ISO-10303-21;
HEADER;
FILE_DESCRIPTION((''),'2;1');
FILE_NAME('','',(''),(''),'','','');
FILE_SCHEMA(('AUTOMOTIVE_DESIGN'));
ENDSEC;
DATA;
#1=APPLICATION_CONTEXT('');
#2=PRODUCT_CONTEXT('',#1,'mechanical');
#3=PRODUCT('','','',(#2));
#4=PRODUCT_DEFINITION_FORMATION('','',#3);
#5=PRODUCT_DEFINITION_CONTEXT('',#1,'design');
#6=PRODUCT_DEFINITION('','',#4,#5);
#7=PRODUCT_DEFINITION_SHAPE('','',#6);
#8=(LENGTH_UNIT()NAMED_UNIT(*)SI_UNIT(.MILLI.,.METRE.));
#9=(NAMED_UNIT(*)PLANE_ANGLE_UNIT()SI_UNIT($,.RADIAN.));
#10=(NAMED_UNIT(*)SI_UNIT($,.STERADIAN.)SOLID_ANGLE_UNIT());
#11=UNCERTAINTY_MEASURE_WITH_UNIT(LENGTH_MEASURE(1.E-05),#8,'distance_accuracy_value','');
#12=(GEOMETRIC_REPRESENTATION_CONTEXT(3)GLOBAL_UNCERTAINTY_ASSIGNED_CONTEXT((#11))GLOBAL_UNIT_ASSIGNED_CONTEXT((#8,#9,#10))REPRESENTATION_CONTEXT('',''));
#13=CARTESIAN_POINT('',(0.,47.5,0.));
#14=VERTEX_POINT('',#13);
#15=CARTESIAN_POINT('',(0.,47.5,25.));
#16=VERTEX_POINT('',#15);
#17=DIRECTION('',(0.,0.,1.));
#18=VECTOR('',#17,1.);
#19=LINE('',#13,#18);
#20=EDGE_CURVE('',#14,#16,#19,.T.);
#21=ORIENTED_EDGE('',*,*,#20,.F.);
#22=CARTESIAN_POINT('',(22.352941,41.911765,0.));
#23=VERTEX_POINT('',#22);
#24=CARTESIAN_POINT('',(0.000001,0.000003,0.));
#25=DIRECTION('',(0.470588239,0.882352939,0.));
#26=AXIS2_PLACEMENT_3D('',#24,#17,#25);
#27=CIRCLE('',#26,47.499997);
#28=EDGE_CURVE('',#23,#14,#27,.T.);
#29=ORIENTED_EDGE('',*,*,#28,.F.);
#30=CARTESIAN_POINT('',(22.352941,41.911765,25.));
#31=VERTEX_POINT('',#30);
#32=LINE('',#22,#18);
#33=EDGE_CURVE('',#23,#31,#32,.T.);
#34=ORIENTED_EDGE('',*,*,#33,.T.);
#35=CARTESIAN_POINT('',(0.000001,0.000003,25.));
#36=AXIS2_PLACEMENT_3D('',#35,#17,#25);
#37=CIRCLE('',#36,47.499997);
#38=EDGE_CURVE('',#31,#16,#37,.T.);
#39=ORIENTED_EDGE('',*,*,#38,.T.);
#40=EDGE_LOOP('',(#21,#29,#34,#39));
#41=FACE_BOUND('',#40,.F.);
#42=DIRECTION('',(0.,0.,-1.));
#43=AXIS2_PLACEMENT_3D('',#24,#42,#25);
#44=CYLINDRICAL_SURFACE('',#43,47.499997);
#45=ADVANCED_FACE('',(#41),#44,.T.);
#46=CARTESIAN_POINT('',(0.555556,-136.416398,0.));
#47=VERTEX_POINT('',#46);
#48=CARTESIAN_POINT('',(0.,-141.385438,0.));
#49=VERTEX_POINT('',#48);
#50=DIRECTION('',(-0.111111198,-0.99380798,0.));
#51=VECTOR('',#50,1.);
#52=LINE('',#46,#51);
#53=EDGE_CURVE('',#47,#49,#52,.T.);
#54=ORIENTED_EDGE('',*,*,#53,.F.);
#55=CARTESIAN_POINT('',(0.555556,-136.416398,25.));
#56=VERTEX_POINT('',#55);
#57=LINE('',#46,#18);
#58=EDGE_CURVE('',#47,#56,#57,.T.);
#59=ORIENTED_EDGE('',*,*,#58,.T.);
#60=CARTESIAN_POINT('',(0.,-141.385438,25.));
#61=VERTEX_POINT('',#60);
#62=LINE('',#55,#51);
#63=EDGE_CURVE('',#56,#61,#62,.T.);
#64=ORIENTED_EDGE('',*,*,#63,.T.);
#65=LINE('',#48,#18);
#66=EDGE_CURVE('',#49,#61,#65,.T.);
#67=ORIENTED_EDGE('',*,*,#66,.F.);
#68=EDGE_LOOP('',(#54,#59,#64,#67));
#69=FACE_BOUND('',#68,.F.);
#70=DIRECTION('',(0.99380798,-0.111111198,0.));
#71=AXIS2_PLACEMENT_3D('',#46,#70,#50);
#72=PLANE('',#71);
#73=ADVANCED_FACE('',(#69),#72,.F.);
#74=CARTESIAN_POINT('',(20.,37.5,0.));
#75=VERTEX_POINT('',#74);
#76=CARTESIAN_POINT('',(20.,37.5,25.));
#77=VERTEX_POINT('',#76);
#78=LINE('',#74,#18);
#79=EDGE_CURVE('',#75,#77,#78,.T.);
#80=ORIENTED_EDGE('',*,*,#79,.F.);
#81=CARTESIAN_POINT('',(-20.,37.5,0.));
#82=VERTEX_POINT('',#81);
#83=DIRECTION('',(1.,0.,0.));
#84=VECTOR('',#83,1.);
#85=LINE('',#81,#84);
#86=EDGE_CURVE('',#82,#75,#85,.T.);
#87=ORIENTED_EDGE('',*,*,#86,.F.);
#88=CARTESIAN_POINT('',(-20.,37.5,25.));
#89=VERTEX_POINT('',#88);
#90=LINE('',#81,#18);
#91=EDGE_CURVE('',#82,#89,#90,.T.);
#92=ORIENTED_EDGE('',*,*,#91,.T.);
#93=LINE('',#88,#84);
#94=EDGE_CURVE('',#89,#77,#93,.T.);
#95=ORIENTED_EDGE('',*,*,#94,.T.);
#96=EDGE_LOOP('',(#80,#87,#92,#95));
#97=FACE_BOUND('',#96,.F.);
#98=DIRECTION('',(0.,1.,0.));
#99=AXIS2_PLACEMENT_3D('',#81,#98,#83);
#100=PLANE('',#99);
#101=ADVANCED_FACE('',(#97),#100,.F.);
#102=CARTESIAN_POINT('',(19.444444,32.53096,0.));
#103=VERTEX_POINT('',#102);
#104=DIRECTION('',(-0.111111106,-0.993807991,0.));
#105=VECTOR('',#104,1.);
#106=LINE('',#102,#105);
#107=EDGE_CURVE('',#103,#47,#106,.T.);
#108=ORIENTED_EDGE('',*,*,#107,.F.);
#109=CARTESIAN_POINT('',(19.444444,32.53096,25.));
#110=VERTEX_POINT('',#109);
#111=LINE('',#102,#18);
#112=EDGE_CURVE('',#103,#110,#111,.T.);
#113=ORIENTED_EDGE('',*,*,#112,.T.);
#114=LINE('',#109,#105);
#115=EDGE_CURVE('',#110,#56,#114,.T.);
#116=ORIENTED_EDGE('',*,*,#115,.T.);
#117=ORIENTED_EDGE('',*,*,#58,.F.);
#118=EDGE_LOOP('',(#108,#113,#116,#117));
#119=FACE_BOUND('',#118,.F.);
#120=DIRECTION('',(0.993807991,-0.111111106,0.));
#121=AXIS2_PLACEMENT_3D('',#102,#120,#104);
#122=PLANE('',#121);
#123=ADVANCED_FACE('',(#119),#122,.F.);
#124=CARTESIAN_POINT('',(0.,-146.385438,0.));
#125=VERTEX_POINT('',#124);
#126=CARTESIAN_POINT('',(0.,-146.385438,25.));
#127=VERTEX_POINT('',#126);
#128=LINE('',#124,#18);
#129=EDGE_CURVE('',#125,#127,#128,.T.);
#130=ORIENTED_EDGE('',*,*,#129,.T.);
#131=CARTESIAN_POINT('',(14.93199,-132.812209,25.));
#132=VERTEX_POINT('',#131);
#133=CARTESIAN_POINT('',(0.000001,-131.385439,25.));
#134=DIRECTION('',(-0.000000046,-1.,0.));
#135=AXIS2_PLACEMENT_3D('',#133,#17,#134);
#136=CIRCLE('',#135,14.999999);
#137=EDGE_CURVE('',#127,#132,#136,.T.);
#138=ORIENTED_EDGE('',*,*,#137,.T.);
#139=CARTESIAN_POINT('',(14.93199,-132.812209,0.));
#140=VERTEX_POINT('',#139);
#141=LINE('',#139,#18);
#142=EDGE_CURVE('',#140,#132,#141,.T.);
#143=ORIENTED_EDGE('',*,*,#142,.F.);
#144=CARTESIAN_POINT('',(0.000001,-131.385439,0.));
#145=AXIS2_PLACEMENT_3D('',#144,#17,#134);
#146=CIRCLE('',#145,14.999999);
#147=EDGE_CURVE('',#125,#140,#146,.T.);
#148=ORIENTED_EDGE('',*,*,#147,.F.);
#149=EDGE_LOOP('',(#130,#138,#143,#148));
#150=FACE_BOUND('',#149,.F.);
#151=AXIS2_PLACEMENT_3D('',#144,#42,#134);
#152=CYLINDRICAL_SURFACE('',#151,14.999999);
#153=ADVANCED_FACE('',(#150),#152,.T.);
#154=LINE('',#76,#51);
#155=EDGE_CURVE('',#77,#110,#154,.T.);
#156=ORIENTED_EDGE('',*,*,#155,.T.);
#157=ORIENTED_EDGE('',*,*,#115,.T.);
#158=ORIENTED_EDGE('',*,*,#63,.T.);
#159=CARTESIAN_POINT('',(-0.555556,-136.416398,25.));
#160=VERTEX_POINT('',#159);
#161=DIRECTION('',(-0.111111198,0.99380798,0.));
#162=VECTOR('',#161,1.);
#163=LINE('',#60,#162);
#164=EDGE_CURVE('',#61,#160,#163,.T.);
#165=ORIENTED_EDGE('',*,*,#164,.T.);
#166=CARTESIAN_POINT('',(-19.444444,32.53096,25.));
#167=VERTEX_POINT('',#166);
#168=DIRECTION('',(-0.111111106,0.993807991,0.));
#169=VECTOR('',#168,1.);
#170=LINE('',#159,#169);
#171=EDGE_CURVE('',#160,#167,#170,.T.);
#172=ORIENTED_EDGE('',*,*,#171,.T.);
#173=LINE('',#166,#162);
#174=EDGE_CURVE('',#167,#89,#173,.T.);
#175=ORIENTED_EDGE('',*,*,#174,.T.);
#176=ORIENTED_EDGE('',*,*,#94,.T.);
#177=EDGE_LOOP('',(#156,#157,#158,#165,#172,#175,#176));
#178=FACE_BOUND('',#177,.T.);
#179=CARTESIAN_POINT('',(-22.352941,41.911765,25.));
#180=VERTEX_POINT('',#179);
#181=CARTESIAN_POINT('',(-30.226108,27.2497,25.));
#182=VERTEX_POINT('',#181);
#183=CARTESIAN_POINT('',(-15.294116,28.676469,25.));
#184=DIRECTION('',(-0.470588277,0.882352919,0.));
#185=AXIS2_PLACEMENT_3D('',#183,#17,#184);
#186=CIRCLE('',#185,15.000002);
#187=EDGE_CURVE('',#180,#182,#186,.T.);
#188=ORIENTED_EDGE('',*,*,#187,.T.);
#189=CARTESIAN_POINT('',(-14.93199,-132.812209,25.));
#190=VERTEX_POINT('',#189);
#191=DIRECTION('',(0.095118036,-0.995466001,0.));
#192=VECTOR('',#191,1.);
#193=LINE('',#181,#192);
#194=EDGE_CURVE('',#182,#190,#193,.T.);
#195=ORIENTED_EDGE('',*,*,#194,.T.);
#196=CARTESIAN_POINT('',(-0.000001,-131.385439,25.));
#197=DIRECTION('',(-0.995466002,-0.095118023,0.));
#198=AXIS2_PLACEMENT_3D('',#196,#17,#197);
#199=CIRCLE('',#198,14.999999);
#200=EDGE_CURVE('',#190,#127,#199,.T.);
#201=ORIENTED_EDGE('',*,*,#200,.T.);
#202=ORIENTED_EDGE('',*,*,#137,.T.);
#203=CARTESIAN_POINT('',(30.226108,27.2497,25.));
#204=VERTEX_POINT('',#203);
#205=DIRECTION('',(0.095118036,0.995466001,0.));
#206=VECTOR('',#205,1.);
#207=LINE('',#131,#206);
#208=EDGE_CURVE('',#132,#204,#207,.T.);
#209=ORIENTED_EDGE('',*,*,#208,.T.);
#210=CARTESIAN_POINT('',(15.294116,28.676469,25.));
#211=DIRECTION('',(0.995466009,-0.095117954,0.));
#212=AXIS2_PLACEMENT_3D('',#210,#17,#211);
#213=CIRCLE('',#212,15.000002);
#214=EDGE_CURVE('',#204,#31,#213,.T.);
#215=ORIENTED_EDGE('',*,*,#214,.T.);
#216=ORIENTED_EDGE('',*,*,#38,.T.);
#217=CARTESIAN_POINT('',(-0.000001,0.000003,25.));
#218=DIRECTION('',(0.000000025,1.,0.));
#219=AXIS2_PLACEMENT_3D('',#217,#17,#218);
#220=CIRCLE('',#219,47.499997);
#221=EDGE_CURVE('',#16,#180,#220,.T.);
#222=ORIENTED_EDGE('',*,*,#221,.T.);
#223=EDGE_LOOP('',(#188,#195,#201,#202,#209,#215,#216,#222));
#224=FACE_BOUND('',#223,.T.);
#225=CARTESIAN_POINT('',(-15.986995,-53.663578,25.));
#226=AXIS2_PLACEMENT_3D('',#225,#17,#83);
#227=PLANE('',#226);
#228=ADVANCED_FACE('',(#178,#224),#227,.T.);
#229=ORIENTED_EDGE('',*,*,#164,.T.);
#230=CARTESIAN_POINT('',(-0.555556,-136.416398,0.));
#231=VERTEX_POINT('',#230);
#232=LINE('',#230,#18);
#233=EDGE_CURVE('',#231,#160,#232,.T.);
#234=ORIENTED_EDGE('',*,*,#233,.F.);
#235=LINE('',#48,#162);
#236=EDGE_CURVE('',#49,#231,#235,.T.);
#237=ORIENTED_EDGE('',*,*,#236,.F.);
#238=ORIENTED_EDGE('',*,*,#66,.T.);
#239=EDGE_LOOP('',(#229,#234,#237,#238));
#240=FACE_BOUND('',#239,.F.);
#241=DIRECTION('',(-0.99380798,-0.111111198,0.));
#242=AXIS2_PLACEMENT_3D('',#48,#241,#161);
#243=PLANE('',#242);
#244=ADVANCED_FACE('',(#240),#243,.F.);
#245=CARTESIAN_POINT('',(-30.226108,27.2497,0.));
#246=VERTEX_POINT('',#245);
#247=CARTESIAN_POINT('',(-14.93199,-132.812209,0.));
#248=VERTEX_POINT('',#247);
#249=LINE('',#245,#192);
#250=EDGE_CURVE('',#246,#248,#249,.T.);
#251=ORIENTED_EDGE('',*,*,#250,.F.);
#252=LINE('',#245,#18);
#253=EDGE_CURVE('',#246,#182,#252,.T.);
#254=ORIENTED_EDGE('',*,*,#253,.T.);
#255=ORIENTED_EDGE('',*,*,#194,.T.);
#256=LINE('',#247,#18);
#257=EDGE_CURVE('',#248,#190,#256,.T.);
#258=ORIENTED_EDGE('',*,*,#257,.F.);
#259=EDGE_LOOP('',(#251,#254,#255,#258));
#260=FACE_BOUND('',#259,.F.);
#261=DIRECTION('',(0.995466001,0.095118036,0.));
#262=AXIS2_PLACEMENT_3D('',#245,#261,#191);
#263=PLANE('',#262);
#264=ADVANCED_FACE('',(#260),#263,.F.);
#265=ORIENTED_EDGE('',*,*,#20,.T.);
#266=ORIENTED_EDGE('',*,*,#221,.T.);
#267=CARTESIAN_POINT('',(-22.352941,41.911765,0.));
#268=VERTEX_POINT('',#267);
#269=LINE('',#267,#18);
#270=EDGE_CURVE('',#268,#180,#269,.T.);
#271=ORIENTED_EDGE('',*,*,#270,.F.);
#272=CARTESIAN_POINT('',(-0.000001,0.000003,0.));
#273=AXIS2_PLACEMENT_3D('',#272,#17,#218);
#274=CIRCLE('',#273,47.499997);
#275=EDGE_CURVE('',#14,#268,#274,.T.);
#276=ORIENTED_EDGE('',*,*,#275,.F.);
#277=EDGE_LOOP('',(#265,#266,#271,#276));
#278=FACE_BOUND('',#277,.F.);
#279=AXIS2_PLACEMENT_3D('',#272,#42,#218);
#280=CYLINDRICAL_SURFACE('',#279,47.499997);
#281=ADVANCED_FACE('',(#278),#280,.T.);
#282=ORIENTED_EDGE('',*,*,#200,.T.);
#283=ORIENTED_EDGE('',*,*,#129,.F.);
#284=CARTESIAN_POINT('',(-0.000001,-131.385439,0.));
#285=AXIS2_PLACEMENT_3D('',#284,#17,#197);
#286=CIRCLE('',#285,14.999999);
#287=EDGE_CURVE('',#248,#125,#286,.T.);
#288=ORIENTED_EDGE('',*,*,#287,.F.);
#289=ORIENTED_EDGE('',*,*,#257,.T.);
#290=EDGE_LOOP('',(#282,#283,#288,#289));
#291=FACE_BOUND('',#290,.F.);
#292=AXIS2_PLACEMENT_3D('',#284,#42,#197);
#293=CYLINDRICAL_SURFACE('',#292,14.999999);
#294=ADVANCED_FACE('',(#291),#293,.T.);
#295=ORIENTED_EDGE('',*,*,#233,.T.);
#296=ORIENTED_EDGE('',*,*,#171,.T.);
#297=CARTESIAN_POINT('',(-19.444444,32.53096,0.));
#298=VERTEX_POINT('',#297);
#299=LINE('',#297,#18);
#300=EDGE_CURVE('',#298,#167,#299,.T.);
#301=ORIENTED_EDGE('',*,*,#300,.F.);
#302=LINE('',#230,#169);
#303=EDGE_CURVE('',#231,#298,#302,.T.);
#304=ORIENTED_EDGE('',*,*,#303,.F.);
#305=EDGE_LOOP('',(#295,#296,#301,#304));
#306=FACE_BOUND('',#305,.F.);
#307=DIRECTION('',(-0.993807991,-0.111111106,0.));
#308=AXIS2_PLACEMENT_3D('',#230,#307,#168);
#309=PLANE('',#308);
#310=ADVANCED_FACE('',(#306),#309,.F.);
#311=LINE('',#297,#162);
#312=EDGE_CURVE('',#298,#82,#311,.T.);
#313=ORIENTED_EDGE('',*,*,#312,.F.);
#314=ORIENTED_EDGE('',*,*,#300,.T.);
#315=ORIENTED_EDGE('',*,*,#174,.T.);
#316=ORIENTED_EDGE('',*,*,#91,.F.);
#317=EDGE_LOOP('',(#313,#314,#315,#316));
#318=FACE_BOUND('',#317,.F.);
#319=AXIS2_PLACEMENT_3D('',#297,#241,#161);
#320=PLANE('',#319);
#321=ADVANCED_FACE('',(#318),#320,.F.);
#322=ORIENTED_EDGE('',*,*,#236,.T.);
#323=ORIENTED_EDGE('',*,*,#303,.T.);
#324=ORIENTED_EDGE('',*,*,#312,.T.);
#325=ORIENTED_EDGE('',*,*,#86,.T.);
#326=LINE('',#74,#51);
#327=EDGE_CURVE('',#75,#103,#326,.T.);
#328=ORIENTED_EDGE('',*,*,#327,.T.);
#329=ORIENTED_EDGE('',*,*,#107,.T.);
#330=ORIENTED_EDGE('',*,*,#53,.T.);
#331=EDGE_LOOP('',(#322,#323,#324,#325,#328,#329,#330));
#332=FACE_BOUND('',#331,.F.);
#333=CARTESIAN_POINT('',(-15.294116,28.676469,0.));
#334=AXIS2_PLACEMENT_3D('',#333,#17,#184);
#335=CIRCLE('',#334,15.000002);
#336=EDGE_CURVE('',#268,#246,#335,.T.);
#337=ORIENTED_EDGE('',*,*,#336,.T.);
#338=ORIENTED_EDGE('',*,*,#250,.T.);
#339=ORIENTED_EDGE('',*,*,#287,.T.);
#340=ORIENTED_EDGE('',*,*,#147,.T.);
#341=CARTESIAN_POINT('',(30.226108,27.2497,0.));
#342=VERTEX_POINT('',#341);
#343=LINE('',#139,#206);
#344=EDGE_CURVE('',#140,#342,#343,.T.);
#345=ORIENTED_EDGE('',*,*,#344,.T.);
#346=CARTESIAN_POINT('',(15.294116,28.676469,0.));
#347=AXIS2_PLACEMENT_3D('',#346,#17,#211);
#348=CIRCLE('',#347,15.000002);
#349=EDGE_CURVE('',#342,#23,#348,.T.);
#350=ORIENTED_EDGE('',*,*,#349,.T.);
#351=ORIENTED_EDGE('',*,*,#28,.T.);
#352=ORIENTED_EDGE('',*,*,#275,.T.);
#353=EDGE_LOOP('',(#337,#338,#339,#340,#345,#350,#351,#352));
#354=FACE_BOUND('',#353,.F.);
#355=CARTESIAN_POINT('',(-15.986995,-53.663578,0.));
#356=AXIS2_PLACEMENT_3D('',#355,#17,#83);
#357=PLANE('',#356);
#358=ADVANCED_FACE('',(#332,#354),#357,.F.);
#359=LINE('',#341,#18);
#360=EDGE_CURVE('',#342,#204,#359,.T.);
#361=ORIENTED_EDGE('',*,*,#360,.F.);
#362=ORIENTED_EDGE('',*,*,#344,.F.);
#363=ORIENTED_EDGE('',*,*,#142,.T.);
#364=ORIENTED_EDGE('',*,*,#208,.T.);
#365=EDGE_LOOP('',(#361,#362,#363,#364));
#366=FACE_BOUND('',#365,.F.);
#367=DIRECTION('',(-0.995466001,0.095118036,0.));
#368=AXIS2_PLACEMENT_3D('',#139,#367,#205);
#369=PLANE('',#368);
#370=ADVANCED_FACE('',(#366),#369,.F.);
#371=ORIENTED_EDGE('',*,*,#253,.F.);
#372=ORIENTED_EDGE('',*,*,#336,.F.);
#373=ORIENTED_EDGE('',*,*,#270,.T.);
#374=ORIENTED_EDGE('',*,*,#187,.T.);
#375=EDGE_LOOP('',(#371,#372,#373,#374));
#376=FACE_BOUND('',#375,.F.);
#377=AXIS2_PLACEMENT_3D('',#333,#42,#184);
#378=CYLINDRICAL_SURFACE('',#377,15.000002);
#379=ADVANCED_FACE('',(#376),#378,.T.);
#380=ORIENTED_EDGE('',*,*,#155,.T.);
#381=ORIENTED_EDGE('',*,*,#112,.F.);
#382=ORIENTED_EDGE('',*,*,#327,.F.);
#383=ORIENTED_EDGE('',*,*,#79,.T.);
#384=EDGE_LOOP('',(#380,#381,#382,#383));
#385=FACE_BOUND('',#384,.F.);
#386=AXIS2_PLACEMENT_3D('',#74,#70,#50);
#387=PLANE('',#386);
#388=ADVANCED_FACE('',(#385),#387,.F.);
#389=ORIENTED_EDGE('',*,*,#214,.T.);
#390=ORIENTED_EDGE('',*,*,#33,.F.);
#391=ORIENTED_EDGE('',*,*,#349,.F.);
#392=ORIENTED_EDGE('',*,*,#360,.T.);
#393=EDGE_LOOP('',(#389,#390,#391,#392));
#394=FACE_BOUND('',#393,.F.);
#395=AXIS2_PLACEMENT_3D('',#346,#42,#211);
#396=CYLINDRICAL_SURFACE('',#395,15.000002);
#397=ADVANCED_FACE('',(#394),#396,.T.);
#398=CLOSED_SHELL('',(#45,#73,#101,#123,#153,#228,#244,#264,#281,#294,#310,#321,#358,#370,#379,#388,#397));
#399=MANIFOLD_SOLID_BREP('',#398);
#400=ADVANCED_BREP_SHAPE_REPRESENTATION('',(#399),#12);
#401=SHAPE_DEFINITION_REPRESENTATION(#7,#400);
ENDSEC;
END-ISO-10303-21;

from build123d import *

# Parameters (mm, degrees)
F1_DEPTH = 25


with BuildPart() as f1:
    # F0 (on Top) → F1 (new body)
    with BuildSketch(Plane.XY):
        with BuildLine():
            ThreePointArc((-19.444444, 32.53096), (-24.775722, 36.019298), (-22.352941, 41.911765))
            ThreePointArc((-22.352941, 41.911765), (-28.509374, 35.772737), (-30.226108, 27.2497))
            Line((-30.226108, 27.2497), (-14.93199, -132.812209))
            ThreePointArc((-14.93199, -132.812209), (-10.08956, -142.485023), (0, -146.385438))
            ThreePointArc((0, -146.385438), (-4.992254, -141.663647), (-0.555556, -136.416398))
            Line((-0.555556, -136.416398), (-19.444444, 32.53096))
        make_face()
        with BuildLine():
            ThreePointArc((30.226108, 27.2497), (28.509374, 35.772737), (22.352941, 41.911765))
            ThreePointArc((22.352941, 41.911765), (24.287465, 40.072479), (25, 37.5))
            ThreePointArc((25, 37.5), (23.333333, 33.77322), (19.444444, 32.53096))
            Line((19.444444, 32.53096), (0.555556, -136.416398))
            ThreePointArc((0.555556, -136.416398), (3.72678, -138.052105), (5, -141.385438))
            ThreePointArc((5, -141.385438), (3.535534, -144.920972), (0, -146.385438))
            ThreePointArc((0, -146.385438), (10.08956, -142.485023), (14.93199, -132.812209))
            Line((14.93199, -132.812209), (30.226108, 27.2497))
        make_face()
        with BuildLine():
            Line((0, -141.385438), (-0.555556, -136.416398))
            ThreePointArc((-0.555556, -136.416398), (-4.992254, -141.663647), (0, -146.385438))
            ThreePointArc((0, -146.385438), (3.535534, -144.920972), (5, -141.385438))
            ThreePointArc((5, -141.385438), (3.72678, -138.052105), (0.555556, -136.416398))
            Line((0.555556, -136.416398), (0, -141.385438))
        make_face()
        with BuildLine():
            ThreePointArc((-22.352941, 41.911765), (-17.427521, 41.787465), (-15, 37.5))
            Line((-15, 37.5), (0, 37.5))
            Line((0, 37.5), (0, 47.5))
            ThreePointArc((0, 47.5), (-11.520442, 46.081769), (-22.352941, 41.911765))
        make_face()
        with BuildLine():
            Line((0, 47.5), (0, 37.5))
            Line((0, 37.5), (15, 37.5))
            ThreePointArc((15, 37.5), (17.427521, 41.787465), (22.352941, 41.911765))
            ThreePointArc((22.352941, 41.911765), (11.520442, 46.081769), (0, 47.5))
        make_face()
        with BuildLine():
            ThreePointArc((22.352941, 41.911765), (17.427521, 41.787465), (15, 37.5))
            Line((15, 37.5), (20, 37.5))
            Line((20, 37.5), (19.444444, 32.53096))
            ThreePointArc((19.444444, 32.53096), (23.333333, 33.77322), (25, 37.5))
            ThreePointArc((25, 37.5), (24.287465, 40.072479), (22.352941, 41.911765))
        make_face()
        with BuildLine():
            Line((-20, 37.5), (-15, 37.5))
            ThreePointArc((-15, 37.5), (-17.427521, 41.787465), (-22.352941, 41.911765))
            ThreePointArc((-22.352941, 41.911765), (-24.775722, 36.019298), (-19.444444, 32.53096))
            Line((-19.444444, 32.53096), (-20, 37.5))
        make_face()
    extrude(amount=F1_DEPTH)


solid = f1.part
